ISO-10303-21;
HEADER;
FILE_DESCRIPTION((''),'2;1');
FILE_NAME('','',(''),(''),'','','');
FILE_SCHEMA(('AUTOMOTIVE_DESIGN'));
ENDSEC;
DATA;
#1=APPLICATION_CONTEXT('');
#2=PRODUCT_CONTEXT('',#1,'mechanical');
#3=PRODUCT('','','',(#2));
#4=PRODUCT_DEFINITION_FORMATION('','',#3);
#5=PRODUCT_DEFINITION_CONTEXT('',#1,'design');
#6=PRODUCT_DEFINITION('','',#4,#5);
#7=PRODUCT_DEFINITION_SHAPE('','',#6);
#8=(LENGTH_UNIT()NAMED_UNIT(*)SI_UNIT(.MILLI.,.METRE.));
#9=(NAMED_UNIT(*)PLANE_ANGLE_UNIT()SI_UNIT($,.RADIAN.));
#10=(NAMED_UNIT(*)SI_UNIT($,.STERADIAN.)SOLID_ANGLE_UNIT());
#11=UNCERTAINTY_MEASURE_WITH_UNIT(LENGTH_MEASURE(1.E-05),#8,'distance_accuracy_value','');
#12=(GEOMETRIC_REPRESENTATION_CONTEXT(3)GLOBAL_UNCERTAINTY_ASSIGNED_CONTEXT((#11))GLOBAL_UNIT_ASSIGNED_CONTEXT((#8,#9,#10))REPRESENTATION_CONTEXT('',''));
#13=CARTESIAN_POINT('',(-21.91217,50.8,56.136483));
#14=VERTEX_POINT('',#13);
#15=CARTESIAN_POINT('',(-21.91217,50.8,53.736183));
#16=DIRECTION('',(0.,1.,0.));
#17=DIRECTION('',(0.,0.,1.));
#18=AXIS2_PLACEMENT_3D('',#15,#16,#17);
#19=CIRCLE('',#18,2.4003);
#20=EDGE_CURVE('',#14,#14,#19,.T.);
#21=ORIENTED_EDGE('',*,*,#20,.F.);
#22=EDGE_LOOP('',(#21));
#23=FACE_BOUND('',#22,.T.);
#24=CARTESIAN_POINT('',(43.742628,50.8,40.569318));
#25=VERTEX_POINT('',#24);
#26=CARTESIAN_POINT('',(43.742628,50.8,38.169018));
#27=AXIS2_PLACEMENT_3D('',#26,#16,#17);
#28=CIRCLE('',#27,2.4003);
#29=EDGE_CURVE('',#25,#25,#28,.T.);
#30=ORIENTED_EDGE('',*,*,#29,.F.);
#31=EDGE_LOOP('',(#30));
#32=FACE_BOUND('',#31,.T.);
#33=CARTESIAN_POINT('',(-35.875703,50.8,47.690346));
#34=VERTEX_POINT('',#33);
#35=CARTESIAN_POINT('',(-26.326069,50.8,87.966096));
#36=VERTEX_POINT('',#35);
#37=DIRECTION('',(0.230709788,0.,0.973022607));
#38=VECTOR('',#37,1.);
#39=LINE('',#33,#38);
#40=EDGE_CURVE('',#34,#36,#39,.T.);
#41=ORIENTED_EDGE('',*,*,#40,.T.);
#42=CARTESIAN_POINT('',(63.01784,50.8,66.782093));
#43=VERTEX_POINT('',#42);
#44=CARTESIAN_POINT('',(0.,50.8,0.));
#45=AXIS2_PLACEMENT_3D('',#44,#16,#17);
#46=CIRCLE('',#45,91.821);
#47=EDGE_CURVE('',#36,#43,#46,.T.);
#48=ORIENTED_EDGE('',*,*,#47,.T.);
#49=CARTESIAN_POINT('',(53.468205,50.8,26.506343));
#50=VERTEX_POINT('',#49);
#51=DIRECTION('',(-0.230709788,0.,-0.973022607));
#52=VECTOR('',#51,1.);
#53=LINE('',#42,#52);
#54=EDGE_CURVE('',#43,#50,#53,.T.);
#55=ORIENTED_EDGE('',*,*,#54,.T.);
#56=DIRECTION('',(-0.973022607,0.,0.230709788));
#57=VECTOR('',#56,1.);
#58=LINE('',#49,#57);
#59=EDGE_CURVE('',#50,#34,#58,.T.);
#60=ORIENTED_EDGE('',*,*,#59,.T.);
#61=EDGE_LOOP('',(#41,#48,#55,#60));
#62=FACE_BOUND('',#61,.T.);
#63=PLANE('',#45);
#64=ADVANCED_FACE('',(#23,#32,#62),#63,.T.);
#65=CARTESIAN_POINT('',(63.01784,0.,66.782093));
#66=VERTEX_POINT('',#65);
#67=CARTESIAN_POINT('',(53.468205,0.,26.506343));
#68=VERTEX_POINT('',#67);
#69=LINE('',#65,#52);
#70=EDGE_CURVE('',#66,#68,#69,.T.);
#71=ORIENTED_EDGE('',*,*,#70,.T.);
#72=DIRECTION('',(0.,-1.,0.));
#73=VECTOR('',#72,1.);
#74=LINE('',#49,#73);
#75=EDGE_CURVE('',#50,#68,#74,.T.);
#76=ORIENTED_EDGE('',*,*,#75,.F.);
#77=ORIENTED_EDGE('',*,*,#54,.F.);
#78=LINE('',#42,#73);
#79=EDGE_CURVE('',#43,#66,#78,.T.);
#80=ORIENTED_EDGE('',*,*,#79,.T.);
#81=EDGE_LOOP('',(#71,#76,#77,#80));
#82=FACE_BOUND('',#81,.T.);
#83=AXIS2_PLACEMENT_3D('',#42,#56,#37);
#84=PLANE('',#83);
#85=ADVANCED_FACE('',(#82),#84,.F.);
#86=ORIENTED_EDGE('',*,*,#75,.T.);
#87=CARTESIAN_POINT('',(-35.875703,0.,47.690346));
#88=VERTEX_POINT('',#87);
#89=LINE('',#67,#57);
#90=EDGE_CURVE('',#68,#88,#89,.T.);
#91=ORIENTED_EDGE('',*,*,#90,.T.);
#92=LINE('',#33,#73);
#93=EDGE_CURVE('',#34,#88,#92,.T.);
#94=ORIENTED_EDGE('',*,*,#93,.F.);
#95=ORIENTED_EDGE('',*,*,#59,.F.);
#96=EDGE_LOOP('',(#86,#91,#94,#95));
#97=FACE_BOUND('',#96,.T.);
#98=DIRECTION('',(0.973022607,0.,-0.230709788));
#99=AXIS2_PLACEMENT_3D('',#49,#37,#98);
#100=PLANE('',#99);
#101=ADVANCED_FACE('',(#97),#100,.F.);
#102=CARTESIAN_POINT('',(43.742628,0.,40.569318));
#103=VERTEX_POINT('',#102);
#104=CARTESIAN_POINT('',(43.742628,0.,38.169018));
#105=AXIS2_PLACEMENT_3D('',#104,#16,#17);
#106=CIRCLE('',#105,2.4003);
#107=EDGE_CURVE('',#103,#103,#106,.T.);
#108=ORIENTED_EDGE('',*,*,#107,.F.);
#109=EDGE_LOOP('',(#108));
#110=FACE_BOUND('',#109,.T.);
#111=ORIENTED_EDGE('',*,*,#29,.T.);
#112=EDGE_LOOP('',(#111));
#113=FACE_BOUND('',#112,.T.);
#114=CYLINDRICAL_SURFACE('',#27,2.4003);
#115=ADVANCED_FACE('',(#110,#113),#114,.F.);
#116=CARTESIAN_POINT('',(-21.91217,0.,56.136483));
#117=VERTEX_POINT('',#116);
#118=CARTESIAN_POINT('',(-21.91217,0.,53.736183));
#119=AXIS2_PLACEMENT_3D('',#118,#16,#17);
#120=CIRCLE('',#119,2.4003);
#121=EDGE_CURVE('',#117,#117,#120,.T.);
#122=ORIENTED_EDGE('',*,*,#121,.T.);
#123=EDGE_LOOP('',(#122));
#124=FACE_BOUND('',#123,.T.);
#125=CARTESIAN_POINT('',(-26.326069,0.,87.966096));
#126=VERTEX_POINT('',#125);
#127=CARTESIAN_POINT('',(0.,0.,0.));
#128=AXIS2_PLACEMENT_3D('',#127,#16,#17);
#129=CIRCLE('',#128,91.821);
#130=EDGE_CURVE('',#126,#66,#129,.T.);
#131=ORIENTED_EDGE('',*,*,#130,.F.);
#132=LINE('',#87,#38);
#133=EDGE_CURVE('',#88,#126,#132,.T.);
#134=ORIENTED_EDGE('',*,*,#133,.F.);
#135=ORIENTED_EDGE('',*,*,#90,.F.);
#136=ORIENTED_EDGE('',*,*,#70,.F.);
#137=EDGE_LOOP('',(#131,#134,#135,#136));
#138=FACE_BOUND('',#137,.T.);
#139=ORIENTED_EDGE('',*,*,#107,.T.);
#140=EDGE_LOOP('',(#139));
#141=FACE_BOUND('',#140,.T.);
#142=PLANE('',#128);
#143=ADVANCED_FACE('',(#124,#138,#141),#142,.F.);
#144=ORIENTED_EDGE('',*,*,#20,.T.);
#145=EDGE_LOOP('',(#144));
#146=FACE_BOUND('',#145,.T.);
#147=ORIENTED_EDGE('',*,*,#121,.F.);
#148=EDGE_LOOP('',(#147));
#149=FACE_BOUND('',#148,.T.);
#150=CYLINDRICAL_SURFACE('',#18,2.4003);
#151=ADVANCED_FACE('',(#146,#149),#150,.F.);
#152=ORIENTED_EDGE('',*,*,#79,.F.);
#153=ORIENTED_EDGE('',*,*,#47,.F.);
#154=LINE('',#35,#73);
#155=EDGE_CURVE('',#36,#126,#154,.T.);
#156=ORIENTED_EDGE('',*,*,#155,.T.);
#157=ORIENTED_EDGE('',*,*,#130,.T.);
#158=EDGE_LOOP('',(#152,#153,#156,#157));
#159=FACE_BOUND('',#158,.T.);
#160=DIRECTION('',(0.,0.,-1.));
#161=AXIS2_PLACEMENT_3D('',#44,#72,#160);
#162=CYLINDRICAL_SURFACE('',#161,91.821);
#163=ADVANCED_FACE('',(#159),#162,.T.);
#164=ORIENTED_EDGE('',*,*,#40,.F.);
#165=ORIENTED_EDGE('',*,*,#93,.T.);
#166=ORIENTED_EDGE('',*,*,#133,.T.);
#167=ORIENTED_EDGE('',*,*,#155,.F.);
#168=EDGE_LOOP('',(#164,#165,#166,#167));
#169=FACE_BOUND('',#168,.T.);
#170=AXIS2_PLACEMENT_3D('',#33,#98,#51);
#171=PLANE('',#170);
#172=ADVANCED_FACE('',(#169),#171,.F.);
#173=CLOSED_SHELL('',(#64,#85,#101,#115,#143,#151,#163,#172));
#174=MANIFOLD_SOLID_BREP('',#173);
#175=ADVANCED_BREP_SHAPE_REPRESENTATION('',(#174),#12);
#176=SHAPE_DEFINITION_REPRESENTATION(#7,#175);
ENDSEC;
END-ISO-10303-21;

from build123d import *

# Parameters (mm, degrees)
BOSS_EXTRUDE1_DEPTH         = 50.8
F_12_0_189_DIAMETER_HOLE1_D = 4.8006


with BuildPart() as part:
    # Sketch1 → Boss-Extrude1 (new body)
    with BuildSketch(Plane(origin=(0, 0, 0), x_dir=(1, 0, 0), z_dir=(0, 1, 0))):
        with BuildLine():
            Line((63.017839503, -66.782093), (53.468205472, -26.506342671))
            Line((53.468205472, -26.506342671), (-35.875703335, -47.690346072))
            Line((-35.875703335, -47.690346072), (-26.326069304, -87.966096401))
            ThreePointArc((-26.326069304, -87.966096401), (21.184003401, -89.343908807), (63.017839503, -66.782093))
        make_face()
    extrude(amount=BOSS_EXTRUDE1_DEPTH)

    # #12 (0.189) Diameter Hole1 (through all)
    with Locations(Plane(origin=(0, 50.8, 0), x_dir=(1, 0, 0), z_dir=(0, 1, 0))):
        with Locations((-21.91216983, -53.736183096), (43.742627992, -38.169017556)):
            Hole(F_12_0_189_DIAMETER_HOLE1_D / 2)


solid = part.part
